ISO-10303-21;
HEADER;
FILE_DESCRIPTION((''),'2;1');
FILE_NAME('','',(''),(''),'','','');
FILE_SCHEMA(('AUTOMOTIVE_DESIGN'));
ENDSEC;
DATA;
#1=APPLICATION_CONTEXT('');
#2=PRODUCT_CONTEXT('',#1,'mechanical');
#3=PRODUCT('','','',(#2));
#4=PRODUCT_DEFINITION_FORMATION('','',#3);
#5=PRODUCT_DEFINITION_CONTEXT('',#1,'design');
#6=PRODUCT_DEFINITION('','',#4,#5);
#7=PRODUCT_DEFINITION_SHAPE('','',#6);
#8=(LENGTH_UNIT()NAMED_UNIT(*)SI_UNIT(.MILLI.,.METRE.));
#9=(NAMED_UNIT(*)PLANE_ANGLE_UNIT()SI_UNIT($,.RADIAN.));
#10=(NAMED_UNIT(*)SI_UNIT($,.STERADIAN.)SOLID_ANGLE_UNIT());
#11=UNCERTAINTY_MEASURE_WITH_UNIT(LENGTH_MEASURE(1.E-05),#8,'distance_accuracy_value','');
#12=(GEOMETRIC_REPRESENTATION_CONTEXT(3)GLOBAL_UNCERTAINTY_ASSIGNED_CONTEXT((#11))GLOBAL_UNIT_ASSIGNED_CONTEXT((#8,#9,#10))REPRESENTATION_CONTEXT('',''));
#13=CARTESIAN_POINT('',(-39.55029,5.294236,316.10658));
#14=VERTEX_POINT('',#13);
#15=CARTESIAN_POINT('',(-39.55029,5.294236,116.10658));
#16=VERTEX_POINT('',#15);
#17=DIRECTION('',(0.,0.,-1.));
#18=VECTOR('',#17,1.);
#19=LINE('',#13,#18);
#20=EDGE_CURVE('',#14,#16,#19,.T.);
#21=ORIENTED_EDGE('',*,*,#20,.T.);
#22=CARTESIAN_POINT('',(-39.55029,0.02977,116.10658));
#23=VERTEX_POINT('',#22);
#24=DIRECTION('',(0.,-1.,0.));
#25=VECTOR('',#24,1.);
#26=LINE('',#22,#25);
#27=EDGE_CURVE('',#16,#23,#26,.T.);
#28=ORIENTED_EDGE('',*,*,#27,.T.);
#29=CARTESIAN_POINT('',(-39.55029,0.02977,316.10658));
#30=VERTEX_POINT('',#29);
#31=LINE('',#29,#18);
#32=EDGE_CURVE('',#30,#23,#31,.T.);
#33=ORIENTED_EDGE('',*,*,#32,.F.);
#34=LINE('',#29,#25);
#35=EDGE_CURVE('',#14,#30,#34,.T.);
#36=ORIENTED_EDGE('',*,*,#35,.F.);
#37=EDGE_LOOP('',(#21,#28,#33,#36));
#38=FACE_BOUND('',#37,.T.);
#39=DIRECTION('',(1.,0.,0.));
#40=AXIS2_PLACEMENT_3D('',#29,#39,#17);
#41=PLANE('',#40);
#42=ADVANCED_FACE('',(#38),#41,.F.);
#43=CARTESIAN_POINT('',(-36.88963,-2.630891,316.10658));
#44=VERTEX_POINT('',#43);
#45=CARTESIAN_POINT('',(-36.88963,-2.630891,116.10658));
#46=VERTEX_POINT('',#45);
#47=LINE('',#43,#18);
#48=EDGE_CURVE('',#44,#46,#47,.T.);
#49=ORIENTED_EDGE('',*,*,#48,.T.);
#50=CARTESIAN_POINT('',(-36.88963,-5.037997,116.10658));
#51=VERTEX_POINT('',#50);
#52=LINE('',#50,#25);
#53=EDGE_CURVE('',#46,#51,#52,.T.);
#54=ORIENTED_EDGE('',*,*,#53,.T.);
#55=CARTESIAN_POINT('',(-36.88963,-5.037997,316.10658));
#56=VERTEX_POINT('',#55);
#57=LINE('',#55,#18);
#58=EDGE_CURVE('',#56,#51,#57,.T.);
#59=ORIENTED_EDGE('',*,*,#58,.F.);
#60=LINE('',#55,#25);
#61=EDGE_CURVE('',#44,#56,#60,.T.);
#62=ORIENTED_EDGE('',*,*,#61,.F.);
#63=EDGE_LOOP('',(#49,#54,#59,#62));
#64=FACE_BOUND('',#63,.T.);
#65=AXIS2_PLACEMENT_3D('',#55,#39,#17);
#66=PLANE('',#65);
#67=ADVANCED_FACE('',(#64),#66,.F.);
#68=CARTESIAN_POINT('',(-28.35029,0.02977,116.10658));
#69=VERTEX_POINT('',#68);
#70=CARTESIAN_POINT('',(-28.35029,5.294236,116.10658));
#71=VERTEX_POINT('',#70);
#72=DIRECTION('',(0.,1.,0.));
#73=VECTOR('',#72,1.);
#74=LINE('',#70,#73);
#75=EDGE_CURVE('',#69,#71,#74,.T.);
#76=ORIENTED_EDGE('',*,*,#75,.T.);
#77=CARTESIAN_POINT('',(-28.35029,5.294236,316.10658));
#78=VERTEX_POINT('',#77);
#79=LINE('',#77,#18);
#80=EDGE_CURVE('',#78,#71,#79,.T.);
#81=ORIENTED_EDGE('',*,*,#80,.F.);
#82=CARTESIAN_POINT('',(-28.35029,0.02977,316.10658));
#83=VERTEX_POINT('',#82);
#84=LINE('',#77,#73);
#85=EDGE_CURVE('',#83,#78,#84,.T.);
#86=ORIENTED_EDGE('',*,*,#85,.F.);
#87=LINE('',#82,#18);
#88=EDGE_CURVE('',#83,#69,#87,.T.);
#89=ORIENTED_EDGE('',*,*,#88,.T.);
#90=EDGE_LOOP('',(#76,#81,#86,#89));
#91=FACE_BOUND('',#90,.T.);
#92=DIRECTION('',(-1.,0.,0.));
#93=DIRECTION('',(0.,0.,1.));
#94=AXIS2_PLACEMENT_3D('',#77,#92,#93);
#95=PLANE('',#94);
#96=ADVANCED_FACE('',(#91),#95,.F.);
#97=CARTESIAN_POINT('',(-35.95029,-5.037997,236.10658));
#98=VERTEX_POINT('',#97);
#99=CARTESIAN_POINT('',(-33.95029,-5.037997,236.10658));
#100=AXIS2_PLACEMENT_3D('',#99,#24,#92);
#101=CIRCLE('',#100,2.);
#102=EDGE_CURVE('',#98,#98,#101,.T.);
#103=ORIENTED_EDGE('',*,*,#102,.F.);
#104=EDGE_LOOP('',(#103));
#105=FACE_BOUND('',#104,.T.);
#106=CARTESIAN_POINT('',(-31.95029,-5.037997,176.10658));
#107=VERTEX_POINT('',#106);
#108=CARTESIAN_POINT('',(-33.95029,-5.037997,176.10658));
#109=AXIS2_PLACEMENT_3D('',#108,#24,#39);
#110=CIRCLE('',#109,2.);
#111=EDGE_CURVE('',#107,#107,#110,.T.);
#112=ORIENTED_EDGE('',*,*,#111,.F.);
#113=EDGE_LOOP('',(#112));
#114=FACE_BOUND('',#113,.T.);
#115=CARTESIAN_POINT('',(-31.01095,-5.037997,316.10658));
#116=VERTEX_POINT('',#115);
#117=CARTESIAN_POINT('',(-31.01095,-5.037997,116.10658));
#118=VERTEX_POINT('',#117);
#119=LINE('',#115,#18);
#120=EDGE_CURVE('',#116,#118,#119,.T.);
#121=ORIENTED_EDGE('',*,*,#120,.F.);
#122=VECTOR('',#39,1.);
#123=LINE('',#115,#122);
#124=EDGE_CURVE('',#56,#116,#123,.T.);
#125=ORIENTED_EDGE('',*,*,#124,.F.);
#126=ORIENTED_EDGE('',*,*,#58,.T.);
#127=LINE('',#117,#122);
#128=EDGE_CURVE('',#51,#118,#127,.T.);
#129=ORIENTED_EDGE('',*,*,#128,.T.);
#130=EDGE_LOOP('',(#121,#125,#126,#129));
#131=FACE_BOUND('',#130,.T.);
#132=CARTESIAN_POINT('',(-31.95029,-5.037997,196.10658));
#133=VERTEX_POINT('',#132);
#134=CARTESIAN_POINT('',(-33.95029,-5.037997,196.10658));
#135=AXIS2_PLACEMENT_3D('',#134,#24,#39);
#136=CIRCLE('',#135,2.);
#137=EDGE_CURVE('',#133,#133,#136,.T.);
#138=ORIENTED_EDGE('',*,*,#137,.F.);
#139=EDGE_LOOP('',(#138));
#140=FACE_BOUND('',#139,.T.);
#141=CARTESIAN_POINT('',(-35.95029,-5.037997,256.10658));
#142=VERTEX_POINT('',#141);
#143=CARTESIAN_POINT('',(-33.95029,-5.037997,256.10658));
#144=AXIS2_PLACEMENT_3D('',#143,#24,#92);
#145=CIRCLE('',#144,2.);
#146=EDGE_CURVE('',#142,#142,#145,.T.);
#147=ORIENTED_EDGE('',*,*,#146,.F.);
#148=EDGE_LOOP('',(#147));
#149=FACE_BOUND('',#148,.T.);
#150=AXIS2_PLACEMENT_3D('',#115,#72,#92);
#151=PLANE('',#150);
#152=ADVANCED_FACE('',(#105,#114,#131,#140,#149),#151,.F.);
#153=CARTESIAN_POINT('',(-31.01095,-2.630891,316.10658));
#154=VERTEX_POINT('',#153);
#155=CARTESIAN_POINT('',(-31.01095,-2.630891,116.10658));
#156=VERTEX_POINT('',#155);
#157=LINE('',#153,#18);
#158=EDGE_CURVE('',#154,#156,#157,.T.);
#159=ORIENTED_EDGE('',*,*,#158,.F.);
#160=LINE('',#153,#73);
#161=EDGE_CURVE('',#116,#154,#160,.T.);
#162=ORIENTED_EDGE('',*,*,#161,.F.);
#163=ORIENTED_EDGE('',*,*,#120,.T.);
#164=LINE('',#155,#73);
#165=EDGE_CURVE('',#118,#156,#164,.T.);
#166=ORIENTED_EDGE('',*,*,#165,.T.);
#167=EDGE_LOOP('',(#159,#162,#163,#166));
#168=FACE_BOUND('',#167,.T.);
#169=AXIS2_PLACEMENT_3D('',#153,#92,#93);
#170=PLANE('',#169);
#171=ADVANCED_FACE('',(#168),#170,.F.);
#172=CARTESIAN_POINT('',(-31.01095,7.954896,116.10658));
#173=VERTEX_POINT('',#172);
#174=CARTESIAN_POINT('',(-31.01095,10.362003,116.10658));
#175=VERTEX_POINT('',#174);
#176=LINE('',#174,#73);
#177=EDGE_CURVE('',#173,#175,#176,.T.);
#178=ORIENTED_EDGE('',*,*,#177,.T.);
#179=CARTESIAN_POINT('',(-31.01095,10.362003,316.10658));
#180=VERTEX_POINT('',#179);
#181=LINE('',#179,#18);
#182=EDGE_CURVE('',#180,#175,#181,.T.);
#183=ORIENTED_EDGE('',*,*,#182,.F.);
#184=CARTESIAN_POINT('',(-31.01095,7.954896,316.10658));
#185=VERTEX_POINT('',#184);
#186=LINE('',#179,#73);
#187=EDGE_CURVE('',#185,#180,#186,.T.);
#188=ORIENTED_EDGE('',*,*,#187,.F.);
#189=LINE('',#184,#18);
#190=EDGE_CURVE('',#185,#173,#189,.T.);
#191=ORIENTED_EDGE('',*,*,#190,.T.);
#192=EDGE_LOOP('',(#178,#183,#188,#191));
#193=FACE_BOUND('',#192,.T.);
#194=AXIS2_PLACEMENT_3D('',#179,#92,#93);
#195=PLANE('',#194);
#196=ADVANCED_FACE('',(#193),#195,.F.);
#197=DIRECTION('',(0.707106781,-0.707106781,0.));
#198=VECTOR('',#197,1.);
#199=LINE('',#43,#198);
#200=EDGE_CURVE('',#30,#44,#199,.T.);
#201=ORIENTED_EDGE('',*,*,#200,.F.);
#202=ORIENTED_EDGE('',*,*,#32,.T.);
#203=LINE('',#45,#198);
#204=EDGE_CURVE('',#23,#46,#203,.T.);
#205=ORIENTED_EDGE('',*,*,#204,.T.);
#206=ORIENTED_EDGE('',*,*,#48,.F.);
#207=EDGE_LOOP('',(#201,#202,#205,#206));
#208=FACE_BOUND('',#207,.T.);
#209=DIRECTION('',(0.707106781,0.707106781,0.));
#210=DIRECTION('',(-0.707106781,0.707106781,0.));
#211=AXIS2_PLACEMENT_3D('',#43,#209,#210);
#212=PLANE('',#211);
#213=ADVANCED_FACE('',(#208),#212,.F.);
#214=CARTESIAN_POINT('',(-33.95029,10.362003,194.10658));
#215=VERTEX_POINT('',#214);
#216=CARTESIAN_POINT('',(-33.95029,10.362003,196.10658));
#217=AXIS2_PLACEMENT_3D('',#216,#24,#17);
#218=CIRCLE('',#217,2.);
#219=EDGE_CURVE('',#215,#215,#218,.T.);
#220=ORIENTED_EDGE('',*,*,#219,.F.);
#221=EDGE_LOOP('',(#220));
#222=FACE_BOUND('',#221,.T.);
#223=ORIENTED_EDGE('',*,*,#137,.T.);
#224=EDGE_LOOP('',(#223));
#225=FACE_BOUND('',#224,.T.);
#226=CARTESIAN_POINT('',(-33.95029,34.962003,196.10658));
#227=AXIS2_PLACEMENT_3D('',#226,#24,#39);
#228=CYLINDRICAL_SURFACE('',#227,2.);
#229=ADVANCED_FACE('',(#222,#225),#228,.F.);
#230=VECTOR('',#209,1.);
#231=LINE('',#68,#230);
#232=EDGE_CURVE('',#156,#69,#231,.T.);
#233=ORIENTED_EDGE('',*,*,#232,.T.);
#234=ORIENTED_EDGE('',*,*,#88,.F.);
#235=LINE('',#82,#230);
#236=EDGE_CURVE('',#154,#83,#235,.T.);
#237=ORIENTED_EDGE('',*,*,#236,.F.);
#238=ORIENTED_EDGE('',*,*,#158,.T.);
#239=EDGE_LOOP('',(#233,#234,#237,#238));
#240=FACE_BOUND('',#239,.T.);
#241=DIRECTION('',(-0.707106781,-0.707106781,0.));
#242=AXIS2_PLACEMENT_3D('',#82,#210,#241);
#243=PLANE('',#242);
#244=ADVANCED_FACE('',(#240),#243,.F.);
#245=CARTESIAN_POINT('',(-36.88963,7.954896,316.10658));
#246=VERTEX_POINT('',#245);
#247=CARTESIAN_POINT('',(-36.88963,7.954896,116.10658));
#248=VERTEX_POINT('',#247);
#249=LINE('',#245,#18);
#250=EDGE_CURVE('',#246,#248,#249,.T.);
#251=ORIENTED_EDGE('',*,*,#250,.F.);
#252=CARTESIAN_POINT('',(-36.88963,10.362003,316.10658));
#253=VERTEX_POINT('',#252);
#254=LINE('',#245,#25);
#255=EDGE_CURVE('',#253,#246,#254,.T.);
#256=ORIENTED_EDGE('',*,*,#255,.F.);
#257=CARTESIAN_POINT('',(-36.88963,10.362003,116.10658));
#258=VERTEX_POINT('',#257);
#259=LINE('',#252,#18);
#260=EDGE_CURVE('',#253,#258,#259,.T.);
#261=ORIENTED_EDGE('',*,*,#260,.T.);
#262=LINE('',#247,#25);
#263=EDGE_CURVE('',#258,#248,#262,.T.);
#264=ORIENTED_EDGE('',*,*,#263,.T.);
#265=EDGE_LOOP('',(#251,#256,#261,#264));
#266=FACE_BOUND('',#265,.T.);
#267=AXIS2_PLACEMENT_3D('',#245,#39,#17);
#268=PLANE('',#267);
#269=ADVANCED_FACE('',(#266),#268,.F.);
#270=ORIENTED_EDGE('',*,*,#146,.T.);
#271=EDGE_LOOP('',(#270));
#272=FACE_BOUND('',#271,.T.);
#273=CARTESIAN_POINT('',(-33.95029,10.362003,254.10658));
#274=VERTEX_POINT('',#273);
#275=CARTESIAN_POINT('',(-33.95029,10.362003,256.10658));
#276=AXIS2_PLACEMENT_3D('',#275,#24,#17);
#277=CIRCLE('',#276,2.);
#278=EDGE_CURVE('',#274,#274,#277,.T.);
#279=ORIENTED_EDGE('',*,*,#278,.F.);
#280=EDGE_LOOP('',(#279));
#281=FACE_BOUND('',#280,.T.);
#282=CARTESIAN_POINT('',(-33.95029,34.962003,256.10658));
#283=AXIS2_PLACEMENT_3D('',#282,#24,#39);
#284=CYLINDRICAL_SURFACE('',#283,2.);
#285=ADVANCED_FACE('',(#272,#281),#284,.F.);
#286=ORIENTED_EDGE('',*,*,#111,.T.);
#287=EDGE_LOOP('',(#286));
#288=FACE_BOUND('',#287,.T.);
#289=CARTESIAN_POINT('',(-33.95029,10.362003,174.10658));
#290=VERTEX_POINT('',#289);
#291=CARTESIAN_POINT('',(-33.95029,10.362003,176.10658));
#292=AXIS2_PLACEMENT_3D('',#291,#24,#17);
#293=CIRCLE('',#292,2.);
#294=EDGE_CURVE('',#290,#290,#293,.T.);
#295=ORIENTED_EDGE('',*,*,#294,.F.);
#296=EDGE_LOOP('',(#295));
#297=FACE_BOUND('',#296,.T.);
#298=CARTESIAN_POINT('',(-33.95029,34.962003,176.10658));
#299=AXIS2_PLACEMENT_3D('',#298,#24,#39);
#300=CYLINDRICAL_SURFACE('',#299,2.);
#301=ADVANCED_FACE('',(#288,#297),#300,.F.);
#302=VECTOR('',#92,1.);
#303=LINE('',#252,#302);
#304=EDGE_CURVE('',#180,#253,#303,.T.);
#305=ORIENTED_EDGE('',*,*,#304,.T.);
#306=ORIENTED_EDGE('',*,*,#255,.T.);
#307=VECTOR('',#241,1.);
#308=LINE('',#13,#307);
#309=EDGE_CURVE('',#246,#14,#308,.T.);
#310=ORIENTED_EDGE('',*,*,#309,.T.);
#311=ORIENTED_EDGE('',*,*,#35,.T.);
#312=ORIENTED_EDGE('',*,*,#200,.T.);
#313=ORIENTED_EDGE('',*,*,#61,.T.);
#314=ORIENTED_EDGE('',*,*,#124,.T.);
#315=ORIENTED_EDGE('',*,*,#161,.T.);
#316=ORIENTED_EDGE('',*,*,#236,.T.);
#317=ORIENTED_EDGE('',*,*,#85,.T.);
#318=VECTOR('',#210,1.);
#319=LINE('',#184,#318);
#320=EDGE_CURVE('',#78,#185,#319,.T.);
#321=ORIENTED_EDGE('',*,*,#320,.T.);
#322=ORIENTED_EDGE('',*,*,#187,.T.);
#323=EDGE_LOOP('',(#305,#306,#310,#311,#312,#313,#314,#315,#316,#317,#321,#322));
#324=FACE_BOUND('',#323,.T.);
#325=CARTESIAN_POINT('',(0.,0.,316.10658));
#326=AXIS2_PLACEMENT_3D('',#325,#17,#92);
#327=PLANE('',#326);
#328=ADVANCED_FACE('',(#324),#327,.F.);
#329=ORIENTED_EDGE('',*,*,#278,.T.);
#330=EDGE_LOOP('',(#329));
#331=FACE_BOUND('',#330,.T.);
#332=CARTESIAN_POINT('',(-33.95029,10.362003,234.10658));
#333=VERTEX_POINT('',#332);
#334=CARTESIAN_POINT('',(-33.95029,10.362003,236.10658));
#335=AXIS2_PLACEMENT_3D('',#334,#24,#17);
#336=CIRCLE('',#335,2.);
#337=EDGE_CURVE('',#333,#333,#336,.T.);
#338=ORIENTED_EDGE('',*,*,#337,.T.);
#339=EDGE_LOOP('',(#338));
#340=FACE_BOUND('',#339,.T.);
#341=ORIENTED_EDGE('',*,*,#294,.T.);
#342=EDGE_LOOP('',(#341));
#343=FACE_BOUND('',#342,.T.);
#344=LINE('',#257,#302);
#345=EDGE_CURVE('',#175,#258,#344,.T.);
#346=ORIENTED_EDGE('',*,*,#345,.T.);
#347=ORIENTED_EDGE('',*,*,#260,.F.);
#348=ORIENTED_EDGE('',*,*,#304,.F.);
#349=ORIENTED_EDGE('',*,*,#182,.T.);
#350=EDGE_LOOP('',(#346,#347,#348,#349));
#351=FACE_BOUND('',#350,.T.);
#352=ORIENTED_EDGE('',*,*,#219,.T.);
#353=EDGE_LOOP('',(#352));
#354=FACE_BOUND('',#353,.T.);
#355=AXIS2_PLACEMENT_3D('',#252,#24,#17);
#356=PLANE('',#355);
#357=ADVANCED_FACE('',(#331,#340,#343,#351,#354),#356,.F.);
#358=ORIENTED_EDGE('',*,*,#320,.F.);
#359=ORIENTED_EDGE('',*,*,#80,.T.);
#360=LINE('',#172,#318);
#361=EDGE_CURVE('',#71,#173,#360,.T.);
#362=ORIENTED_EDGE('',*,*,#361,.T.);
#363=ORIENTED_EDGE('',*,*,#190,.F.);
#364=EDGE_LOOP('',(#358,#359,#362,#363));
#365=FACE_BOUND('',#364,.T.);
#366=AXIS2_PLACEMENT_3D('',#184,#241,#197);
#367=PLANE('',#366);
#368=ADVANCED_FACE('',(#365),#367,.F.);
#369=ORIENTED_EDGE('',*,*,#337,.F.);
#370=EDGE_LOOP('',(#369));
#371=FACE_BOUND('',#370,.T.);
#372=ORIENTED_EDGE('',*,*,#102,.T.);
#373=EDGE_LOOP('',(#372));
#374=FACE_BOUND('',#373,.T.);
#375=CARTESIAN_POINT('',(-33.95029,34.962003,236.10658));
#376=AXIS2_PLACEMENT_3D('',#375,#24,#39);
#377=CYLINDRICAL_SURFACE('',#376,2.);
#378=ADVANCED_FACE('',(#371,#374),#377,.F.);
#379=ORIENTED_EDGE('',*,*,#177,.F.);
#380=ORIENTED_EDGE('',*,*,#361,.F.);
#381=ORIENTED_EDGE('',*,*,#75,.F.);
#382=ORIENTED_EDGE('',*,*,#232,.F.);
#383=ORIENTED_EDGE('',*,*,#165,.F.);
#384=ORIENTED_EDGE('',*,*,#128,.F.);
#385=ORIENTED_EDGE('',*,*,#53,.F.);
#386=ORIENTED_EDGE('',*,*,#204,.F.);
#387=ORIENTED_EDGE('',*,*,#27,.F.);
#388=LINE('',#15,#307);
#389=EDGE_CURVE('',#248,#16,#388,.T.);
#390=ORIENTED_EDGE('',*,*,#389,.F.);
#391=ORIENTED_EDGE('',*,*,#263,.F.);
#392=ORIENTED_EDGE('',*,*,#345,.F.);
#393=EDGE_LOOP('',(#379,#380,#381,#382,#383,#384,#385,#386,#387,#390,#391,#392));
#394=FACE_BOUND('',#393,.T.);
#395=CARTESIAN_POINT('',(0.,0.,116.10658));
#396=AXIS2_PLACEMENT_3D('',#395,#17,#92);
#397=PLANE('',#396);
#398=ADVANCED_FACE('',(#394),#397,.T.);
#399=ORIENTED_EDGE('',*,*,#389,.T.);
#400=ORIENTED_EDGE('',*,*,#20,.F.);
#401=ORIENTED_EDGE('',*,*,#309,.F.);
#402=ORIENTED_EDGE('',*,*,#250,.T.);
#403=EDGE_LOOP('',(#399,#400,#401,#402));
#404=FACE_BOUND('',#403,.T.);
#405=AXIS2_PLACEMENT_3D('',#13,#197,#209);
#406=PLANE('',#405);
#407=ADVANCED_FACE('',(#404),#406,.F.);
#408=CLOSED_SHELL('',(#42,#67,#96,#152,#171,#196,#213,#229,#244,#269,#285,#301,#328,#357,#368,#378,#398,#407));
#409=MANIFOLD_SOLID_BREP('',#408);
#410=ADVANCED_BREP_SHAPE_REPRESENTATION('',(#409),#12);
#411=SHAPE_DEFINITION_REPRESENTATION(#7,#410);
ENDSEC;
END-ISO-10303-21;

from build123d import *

# Parameters (mm, degrees)
BOSS_EXTRUDE1_DEPTH = 200
SKETCH4_R           = 2
CUT_EXTRUDE1_DEPTH  = 40


with BuildPart() as part:
    # Sketch1 → Boss-Extrude1 (new body)
    with BuildSketch(Plane.XY.offset(116.106580091)):
        Polygon((-39.550290087, 5.294235639), (-36.889629915, 7.954895811), (-36.889629915, 10.362002592), (-31.010950259, 10.362002592), (-31.010950259, 7.954895811), (-28.350290087, 5.294235639), (-28.350290087, 0.029769545), (-31.010950259, -2.630890626), (-31.010950259, -5.037997408), (-36.889629915, -5.037997408), (-36.889629915, -2.630890626), (-39.550290087, 0.029769545), align=None)
    extrude(amount=BOSS_EXTRUDE1_DEPTH)

    # Sketch4 → Cut-Extrude1 (cut)
    with BuildSketch(Plane(origin=(0, -5.037997408, 0), x_dir=(-1, 0, 0), z_dir=(0, -1, 0))):
        with Locations(Location((33.950290087, -176.106580091, 0), (0, 0, 180))):
            Circle(SKETCH4_R)
        with Locations(Location((33.950290087, -196.106580091, 0), (0, 0, 180))):
            Circle(SKETCH4_R)
        with Locations(Location((33.950290087, -236.106580091, 0), (0, 0, 90))):
            Circle(SKETCH4_R)
        with Locations(Location((33.950290087, -256.106580091, 0), (0, 0, 90))):
            Circle(SKETCH4_R)
    extrude(amount=-CUT_EXTRUDE1_DEPTH, mode=Mode.SUBTRACT)


solid = part.part
